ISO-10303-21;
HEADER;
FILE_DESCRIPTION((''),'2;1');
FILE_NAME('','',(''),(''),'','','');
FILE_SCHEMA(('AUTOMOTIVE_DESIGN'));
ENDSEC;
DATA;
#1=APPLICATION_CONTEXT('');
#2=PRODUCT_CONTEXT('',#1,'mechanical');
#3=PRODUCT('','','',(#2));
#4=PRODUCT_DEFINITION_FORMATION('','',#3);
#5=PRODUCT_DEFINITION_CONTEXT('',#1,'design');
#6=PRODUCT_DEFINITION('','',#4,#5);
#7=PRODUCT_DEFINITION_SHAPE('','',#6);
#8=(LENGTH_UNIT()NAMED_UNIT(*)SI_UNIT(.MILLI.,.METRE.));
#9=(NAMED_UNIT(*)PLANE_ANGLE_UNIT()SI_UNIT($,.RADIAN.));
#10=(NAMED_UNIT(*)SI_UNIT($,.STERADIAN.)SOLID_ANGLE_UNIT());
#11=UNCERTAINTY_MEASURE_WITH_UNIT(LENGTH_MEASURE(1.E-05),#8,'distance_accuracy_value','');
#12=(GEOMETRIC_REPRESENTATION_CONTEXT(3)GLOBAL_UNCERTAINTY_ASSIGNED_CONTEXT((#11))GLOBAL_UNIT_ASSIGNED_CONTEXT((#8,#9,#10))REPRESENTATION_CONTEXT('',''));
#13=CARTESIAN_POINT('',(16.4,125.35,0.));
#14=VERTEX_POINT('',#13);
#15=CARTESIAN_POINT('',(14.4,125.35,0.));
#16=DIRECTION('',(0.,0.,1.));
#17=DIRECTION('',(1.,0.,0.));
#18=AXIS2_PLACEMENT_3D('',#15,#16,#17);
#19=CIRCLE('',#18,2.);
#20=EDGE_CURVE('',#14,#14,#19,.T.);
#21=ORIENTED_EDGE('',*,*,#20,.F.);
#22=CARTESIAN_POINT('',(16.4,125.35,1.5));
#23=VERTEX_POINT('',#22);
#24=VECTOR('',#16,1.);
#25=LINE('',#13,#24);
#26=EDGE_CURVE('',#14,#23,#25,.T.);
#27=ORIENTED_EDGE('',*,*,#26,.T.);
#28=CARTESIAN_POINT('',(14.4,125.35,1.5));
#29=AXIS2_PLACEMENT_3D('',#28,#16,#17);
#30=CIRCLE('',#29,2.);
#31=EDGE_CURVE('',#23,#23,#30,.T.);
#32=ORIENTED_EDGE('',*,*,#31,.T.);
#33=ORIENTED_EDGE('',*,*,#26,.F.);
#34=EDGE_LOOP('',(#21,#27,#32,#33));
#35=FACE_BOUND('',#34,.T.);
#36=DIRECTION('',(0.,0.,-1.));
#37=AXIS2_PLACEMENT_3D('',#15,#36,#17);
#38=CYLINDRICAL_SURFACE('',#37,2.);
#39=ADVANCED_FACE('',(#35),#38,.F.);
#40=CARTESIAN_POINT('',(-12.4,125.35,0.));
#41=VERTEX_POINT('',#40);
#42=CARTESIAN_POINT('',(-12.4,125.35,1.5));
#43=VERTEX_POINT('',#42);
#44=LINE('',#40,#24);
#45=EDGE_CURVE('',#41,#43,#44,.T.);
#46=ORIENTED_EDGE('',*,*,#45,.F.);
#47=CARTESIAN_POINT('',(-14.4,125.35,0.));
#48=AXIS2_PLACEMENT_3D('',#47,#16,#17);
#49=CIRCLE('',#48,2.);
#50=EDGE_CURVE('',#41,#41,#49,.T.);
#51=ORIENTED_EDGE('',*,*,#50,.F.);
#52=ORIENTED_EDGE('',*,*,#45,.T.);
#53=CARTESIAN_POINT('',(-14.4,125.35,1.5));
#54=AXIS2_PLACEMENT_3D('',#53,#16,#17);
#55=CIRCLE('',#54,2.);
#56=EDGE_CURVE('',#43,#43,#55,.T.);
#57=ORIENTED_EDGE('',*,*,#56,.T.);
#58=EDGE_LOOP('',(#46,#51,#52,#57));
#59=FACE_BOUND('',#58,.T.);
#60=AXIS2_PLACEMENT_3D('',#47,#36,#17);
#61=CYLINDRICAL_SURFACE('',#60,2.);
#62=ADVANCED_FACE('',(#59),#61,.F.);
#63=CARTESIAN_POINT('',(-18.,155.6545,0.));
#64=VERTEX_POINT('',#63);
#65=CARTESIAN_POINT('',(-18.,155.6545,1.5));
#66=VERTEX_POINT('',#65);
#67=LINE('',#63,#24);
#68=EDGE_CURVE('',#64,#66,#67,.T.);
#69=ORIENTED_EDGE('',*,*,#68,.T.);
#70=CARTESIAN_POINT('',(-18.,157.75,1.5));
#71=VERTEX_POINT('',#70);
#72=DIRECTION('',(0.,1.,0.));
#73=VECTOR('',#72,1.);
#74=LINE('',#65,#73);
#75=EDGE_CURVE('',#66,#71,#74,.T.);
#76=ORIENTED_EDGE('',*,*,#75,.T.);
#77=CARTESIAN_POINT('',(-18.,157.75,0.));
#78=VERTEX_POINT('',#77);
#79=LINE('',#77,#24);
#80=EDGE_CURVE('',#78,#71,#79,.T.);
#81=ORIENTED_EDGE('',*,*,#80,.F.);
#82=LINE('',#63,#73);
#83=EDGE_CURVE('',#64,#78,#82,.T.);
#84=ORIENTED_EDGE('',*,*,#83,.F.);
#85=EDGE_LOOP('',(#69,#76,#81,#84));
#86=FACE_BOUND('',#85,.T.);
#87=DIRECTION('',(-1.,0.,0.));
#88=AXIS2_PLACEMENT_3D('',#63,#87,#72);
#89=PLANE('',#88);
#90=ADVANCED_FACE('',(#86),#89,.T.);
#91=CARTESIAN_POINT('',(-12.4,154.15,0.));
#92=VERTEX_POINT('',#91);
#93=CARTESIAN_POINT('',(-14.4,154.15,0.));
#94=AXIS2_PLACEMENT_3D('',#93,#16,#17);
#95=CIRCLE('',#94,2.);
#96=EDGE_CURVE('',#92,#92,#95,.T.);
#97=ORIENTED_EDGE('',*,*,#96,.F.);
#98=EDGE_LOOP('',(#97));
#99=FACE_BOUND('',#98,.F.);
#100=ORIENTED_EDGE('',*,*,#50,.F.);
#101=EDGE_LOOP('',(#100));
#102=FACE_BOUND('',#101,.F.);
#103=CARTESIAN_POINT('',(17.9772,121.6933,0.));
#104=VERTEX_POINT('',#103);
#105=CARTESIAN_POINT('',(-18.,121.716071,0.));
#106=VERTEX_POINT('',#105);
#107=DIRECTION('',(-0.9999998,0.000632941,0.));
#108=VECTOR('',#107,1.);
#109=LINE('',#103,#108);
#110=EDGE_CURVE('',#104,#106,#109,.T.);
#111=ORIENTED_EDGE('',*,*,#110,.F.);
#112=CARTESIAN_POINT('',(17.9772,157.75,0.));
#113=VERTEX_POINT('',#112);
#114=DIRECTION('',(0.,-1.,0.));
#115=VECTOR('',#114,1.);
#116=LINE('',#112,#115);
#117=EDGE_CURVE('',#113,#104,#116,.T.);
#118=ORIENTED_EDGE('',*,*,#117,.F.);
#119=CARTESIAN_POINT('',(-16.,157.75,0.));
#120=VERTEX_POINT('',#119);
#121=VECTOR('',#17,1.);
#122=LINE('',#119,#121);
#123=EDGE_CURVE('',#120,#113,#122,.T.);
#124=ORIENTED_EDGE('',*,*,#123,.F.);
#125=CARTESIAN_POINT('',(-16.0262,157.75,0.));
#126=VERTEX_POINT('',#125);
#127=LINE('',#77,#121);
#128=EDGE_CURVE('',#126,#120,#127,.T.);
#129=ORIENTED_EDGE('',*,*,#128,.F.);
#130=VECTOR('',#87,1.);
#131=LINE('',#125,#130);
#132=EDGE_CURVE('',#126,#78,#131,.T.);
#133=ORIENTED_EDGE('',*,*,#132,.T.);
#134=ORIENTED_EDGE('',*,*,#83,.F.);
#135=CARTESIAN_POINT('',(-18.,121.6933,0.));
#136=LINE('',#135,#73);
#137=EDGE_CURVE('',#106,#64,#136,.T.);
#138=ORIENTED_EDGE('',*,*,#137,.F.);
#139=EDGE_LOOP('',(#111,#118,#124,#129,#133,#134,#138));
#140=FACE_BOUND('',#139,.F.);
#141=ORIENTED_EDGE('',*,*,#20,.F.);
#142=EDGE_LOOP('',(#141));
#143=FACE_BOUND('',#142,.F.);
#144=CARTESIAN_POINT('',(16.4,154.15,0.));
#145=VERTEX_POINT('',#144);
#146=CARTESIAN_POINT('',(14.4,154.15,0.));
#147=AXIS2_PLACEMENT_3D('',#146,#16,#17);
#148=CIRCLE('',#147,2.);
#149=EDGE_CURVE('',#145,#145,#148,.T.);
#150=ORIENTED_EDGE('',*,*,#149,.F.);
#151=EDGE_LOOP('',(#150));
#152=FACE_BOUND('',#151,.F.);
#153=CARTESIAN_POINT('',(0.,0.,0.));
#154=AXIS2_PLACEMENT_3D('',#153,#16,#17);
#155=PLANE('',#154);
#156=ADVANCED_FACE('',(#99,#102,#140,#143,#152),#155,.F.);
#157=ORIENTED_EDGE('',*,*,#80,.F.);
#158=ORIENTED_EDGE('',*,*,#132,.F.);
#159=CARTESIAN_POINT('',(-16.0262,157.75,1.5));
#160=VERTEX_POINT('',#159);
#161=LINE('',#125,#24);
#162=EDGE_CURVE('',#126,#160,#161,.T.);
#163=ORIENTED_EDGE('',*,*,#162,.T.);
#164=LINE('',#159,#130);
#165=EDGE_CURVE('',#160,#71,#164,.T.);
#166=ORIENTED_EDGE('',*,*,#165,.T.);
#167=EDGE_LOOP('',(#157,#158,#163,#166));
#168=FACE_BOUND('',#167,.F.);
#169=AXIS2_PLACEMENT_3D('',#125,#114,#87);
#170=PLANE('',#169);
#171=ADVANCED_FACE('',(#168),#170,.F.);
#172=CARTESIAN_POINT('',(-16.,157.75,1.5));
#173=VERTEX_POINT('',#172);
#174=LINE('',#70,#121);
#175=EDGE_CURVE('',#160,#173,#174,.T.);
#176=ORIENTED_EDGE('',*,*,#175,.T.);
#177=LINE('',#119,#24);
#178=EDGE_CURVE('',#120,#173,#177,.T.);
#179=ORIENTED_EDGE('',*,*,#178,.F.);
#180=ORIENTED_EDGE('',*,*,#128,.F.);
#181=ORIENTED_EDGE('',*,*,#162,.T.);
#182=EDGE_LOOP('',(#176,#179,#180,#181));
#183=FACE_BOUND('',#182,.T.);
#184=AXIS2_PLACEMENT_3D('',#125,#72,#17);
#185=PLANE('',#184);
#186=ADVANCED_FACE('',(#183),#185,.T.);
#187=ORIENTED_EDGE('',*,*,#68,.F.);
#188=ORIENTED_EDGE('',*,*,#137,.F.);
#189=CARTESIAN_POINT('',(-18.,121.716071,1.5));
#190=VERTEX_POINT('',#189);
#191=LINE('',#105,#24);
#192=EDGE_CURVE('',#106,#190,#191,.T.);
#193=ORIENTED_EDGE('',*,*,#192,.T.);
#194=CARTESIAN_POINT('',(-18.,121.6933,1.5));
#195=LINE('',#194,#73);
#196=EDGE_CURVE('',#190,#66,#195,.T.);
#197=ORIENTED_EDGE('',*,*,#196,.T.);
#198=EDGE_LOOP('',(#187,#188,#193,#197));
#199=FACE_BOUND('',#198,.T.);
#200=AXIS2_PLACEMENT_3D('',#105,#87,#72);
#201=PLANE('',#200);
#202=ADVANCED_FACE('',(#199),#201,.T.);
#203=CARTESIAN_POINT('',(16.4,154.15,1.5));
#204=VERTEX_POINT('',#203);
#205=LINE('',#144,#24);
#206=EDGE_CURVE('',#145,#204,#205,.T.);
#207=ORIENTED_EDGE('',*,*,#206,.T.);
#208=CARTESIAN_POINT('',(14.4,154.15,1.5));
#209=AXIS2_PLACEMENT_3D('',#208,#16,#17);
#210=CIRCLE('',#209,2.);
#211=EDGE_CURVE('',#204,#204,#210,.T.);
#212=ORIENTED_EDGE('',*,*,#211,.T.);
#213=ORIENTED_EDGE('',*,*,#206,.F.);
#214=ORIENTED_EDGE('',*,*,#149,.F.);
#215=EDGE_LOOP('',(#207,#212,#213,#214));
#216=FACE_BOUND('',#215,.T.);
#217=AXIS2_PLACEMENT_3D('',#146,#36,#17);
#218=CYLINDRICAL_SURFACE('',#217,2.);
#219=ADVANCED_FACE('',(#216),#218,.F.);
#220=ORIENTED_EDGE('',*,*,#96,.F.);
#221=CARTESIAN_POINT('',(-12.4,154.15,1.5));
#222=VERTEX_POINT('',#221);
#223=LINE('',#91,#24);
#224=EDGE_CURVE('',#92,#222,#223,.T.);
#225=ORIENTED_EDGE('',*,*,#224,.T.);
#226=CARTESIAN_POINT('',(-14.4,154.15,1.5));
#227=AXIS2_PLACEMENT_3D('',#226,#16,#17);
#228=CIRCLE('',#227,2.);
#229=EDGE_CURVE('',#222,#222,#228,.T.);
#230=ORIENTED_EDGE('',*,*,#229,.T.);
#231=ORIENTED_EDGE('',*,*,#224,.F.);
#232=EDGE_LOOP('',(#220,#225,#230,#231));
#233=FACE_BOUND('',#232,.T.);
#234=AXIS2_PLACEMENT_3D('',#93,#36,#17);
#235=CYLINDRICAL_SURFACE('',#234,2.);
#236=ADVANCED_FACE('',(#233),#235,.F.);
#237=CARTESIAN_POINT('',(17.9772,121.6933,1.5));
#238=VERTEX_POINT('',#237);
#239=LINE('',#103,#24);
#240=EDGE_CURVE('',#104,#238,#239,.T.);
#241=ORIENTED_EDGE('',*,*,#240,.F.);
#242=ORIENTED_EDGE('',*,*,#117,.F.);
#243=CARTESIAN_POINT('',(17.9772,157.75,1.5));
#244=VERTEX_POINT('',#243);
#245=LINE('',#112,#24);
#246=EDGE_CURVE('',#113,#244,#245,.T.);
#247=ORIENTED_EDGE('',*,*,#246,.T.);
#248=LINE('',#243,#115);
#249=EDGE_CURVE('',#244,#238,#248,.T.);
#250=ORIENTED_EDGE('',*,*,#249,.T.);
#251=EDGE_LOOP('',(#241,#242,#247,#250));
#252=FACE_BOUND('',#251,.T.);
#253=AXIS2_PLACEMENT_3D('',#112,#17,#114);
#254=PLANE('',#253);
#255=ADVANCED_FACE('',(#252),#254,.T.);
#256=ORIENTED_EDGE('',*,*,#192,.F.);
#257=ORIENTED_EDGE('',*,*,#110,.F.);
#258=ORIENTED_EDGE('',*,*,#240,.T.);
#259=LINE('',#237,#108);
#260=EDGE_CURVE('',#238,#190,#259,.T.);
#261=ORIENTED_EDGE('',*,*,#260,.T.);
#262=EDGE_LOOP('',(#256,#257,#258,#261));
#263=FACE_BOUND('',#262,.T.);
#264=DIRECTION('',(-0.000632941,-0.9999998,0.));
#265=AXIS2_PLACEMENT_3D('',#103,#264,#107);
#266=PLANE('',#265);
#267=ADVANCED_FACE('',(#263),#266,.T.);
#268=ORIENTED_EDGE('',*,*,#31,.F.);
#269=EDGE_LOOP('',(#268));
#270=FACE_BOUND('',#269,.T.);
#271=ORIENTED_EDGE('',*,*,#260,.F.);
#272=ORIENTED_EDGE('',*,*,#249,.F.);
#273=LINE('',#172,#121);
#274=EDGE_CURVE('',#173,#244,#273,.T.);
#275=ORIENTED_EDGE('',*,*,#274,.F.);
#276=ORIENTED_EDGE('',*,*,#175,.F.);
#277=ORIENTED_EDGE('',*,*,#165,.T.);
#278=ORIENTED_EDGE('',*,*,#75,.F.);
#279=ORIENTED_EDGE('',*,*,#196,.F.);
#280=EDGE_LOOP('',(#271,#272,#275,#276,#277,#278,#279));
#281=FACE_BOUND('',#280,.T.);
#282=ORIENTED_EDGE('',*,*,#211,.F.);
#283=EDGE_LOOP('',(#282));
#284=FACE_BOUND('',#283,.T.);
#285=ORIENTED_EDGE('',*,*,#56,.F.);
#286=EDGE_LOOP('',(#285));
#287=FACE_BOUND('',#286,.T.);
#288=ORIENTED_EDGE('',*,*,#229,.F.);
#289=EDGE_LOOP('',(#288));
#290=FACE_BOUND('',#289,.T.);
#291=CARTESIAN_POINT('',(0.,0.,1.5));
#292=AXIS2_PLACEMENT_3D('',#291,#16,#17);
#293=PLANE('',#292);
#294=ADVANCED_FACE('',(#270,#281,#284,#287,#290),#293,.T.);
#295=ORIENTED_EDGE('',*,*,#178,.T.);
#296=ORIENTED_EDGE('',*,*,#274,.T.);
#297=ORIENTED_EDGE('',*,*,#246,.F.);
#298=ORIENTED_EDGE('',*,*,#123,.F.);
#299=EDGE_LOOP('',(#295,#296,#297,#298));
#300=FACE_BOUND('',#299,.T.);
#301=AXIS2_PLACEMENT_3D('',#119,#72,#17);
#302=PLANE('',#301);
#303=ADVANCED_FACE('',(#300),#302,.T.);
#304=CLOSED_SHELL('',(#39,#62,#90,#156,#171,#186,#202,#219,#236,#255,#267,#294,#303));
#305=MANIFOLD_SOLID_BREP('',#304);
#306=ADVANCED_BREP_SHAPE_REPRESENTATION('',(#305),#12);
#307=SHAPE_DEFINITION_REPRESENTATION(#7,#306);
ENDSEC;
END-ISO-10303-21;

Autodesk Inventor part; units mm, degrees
ref_plane "YZ Plane" through (0, 0, 0) normal (1, 0, 0) x (0, 1, 0)
ref_plane "XZ Plane" through (0, 0, 0) normal (0, 1, 0) x (-1, 0, 0)
ref_plane "XY Plane" through (0, 0, 0) normal (0, 0, 1) x (1, 0, 0)
sketch "Szkic1" plane through (0, 0, 0) normal (0, 0, 1) x (1, 0, 0)
  line L0 (-16.0262, 157.75) -> (-18.2115, 157.75)
  line L1 (-18, 155.6545) -> (-18, 158.2708)
  line L2 (-16, 157.75) -> (18, 157.75)
  line L3 (18, 157.75) -> (17.9772, 121.6933)
  line L4 (17.9772, 121.6933) -> (-18.0451, 121.7161)
  line L5 (-18.0451, 121.7161) -> (-18, 157.75)
  circle A0 centre (-14.4, 154.15) radius 2
  circle A1 centre (14.4, 154.15) radius 2
  circle A2 centre (14.4, 125.35) radius 2
  circle A3 centre (-14.4, 125.35) radius 2
  line L6 (17.9772, 121.6933) -> (-18, 121.6933)
  line L7 (-18, 121.6933) -> (-18, 157.75)
  line L8 (-18, 157.75) -> (17.9772, 157.75)
  line L9 (17.9772, 157.75) -> (17.9772, 121.6933)
  circle A4 centre (-14.4, 154.15) radius 2
  circle A5 centre (14.4, 154.15) radius 2
  circle A6 centre (14.4, 125.35) radius 2
  circle A7 centre (-14.4, 125.35) radius 2
  point P0 (0, 0)
  point P1 (17.9772, 157.75)
  point P2 (-18, 121.7161)
extrude "Wyciągnięcie proste1" add sketch "Szkic1" along normal blind 1.5 contours L8 L2 L9 L4 L7 L1 L0
properties part number "płytka"
